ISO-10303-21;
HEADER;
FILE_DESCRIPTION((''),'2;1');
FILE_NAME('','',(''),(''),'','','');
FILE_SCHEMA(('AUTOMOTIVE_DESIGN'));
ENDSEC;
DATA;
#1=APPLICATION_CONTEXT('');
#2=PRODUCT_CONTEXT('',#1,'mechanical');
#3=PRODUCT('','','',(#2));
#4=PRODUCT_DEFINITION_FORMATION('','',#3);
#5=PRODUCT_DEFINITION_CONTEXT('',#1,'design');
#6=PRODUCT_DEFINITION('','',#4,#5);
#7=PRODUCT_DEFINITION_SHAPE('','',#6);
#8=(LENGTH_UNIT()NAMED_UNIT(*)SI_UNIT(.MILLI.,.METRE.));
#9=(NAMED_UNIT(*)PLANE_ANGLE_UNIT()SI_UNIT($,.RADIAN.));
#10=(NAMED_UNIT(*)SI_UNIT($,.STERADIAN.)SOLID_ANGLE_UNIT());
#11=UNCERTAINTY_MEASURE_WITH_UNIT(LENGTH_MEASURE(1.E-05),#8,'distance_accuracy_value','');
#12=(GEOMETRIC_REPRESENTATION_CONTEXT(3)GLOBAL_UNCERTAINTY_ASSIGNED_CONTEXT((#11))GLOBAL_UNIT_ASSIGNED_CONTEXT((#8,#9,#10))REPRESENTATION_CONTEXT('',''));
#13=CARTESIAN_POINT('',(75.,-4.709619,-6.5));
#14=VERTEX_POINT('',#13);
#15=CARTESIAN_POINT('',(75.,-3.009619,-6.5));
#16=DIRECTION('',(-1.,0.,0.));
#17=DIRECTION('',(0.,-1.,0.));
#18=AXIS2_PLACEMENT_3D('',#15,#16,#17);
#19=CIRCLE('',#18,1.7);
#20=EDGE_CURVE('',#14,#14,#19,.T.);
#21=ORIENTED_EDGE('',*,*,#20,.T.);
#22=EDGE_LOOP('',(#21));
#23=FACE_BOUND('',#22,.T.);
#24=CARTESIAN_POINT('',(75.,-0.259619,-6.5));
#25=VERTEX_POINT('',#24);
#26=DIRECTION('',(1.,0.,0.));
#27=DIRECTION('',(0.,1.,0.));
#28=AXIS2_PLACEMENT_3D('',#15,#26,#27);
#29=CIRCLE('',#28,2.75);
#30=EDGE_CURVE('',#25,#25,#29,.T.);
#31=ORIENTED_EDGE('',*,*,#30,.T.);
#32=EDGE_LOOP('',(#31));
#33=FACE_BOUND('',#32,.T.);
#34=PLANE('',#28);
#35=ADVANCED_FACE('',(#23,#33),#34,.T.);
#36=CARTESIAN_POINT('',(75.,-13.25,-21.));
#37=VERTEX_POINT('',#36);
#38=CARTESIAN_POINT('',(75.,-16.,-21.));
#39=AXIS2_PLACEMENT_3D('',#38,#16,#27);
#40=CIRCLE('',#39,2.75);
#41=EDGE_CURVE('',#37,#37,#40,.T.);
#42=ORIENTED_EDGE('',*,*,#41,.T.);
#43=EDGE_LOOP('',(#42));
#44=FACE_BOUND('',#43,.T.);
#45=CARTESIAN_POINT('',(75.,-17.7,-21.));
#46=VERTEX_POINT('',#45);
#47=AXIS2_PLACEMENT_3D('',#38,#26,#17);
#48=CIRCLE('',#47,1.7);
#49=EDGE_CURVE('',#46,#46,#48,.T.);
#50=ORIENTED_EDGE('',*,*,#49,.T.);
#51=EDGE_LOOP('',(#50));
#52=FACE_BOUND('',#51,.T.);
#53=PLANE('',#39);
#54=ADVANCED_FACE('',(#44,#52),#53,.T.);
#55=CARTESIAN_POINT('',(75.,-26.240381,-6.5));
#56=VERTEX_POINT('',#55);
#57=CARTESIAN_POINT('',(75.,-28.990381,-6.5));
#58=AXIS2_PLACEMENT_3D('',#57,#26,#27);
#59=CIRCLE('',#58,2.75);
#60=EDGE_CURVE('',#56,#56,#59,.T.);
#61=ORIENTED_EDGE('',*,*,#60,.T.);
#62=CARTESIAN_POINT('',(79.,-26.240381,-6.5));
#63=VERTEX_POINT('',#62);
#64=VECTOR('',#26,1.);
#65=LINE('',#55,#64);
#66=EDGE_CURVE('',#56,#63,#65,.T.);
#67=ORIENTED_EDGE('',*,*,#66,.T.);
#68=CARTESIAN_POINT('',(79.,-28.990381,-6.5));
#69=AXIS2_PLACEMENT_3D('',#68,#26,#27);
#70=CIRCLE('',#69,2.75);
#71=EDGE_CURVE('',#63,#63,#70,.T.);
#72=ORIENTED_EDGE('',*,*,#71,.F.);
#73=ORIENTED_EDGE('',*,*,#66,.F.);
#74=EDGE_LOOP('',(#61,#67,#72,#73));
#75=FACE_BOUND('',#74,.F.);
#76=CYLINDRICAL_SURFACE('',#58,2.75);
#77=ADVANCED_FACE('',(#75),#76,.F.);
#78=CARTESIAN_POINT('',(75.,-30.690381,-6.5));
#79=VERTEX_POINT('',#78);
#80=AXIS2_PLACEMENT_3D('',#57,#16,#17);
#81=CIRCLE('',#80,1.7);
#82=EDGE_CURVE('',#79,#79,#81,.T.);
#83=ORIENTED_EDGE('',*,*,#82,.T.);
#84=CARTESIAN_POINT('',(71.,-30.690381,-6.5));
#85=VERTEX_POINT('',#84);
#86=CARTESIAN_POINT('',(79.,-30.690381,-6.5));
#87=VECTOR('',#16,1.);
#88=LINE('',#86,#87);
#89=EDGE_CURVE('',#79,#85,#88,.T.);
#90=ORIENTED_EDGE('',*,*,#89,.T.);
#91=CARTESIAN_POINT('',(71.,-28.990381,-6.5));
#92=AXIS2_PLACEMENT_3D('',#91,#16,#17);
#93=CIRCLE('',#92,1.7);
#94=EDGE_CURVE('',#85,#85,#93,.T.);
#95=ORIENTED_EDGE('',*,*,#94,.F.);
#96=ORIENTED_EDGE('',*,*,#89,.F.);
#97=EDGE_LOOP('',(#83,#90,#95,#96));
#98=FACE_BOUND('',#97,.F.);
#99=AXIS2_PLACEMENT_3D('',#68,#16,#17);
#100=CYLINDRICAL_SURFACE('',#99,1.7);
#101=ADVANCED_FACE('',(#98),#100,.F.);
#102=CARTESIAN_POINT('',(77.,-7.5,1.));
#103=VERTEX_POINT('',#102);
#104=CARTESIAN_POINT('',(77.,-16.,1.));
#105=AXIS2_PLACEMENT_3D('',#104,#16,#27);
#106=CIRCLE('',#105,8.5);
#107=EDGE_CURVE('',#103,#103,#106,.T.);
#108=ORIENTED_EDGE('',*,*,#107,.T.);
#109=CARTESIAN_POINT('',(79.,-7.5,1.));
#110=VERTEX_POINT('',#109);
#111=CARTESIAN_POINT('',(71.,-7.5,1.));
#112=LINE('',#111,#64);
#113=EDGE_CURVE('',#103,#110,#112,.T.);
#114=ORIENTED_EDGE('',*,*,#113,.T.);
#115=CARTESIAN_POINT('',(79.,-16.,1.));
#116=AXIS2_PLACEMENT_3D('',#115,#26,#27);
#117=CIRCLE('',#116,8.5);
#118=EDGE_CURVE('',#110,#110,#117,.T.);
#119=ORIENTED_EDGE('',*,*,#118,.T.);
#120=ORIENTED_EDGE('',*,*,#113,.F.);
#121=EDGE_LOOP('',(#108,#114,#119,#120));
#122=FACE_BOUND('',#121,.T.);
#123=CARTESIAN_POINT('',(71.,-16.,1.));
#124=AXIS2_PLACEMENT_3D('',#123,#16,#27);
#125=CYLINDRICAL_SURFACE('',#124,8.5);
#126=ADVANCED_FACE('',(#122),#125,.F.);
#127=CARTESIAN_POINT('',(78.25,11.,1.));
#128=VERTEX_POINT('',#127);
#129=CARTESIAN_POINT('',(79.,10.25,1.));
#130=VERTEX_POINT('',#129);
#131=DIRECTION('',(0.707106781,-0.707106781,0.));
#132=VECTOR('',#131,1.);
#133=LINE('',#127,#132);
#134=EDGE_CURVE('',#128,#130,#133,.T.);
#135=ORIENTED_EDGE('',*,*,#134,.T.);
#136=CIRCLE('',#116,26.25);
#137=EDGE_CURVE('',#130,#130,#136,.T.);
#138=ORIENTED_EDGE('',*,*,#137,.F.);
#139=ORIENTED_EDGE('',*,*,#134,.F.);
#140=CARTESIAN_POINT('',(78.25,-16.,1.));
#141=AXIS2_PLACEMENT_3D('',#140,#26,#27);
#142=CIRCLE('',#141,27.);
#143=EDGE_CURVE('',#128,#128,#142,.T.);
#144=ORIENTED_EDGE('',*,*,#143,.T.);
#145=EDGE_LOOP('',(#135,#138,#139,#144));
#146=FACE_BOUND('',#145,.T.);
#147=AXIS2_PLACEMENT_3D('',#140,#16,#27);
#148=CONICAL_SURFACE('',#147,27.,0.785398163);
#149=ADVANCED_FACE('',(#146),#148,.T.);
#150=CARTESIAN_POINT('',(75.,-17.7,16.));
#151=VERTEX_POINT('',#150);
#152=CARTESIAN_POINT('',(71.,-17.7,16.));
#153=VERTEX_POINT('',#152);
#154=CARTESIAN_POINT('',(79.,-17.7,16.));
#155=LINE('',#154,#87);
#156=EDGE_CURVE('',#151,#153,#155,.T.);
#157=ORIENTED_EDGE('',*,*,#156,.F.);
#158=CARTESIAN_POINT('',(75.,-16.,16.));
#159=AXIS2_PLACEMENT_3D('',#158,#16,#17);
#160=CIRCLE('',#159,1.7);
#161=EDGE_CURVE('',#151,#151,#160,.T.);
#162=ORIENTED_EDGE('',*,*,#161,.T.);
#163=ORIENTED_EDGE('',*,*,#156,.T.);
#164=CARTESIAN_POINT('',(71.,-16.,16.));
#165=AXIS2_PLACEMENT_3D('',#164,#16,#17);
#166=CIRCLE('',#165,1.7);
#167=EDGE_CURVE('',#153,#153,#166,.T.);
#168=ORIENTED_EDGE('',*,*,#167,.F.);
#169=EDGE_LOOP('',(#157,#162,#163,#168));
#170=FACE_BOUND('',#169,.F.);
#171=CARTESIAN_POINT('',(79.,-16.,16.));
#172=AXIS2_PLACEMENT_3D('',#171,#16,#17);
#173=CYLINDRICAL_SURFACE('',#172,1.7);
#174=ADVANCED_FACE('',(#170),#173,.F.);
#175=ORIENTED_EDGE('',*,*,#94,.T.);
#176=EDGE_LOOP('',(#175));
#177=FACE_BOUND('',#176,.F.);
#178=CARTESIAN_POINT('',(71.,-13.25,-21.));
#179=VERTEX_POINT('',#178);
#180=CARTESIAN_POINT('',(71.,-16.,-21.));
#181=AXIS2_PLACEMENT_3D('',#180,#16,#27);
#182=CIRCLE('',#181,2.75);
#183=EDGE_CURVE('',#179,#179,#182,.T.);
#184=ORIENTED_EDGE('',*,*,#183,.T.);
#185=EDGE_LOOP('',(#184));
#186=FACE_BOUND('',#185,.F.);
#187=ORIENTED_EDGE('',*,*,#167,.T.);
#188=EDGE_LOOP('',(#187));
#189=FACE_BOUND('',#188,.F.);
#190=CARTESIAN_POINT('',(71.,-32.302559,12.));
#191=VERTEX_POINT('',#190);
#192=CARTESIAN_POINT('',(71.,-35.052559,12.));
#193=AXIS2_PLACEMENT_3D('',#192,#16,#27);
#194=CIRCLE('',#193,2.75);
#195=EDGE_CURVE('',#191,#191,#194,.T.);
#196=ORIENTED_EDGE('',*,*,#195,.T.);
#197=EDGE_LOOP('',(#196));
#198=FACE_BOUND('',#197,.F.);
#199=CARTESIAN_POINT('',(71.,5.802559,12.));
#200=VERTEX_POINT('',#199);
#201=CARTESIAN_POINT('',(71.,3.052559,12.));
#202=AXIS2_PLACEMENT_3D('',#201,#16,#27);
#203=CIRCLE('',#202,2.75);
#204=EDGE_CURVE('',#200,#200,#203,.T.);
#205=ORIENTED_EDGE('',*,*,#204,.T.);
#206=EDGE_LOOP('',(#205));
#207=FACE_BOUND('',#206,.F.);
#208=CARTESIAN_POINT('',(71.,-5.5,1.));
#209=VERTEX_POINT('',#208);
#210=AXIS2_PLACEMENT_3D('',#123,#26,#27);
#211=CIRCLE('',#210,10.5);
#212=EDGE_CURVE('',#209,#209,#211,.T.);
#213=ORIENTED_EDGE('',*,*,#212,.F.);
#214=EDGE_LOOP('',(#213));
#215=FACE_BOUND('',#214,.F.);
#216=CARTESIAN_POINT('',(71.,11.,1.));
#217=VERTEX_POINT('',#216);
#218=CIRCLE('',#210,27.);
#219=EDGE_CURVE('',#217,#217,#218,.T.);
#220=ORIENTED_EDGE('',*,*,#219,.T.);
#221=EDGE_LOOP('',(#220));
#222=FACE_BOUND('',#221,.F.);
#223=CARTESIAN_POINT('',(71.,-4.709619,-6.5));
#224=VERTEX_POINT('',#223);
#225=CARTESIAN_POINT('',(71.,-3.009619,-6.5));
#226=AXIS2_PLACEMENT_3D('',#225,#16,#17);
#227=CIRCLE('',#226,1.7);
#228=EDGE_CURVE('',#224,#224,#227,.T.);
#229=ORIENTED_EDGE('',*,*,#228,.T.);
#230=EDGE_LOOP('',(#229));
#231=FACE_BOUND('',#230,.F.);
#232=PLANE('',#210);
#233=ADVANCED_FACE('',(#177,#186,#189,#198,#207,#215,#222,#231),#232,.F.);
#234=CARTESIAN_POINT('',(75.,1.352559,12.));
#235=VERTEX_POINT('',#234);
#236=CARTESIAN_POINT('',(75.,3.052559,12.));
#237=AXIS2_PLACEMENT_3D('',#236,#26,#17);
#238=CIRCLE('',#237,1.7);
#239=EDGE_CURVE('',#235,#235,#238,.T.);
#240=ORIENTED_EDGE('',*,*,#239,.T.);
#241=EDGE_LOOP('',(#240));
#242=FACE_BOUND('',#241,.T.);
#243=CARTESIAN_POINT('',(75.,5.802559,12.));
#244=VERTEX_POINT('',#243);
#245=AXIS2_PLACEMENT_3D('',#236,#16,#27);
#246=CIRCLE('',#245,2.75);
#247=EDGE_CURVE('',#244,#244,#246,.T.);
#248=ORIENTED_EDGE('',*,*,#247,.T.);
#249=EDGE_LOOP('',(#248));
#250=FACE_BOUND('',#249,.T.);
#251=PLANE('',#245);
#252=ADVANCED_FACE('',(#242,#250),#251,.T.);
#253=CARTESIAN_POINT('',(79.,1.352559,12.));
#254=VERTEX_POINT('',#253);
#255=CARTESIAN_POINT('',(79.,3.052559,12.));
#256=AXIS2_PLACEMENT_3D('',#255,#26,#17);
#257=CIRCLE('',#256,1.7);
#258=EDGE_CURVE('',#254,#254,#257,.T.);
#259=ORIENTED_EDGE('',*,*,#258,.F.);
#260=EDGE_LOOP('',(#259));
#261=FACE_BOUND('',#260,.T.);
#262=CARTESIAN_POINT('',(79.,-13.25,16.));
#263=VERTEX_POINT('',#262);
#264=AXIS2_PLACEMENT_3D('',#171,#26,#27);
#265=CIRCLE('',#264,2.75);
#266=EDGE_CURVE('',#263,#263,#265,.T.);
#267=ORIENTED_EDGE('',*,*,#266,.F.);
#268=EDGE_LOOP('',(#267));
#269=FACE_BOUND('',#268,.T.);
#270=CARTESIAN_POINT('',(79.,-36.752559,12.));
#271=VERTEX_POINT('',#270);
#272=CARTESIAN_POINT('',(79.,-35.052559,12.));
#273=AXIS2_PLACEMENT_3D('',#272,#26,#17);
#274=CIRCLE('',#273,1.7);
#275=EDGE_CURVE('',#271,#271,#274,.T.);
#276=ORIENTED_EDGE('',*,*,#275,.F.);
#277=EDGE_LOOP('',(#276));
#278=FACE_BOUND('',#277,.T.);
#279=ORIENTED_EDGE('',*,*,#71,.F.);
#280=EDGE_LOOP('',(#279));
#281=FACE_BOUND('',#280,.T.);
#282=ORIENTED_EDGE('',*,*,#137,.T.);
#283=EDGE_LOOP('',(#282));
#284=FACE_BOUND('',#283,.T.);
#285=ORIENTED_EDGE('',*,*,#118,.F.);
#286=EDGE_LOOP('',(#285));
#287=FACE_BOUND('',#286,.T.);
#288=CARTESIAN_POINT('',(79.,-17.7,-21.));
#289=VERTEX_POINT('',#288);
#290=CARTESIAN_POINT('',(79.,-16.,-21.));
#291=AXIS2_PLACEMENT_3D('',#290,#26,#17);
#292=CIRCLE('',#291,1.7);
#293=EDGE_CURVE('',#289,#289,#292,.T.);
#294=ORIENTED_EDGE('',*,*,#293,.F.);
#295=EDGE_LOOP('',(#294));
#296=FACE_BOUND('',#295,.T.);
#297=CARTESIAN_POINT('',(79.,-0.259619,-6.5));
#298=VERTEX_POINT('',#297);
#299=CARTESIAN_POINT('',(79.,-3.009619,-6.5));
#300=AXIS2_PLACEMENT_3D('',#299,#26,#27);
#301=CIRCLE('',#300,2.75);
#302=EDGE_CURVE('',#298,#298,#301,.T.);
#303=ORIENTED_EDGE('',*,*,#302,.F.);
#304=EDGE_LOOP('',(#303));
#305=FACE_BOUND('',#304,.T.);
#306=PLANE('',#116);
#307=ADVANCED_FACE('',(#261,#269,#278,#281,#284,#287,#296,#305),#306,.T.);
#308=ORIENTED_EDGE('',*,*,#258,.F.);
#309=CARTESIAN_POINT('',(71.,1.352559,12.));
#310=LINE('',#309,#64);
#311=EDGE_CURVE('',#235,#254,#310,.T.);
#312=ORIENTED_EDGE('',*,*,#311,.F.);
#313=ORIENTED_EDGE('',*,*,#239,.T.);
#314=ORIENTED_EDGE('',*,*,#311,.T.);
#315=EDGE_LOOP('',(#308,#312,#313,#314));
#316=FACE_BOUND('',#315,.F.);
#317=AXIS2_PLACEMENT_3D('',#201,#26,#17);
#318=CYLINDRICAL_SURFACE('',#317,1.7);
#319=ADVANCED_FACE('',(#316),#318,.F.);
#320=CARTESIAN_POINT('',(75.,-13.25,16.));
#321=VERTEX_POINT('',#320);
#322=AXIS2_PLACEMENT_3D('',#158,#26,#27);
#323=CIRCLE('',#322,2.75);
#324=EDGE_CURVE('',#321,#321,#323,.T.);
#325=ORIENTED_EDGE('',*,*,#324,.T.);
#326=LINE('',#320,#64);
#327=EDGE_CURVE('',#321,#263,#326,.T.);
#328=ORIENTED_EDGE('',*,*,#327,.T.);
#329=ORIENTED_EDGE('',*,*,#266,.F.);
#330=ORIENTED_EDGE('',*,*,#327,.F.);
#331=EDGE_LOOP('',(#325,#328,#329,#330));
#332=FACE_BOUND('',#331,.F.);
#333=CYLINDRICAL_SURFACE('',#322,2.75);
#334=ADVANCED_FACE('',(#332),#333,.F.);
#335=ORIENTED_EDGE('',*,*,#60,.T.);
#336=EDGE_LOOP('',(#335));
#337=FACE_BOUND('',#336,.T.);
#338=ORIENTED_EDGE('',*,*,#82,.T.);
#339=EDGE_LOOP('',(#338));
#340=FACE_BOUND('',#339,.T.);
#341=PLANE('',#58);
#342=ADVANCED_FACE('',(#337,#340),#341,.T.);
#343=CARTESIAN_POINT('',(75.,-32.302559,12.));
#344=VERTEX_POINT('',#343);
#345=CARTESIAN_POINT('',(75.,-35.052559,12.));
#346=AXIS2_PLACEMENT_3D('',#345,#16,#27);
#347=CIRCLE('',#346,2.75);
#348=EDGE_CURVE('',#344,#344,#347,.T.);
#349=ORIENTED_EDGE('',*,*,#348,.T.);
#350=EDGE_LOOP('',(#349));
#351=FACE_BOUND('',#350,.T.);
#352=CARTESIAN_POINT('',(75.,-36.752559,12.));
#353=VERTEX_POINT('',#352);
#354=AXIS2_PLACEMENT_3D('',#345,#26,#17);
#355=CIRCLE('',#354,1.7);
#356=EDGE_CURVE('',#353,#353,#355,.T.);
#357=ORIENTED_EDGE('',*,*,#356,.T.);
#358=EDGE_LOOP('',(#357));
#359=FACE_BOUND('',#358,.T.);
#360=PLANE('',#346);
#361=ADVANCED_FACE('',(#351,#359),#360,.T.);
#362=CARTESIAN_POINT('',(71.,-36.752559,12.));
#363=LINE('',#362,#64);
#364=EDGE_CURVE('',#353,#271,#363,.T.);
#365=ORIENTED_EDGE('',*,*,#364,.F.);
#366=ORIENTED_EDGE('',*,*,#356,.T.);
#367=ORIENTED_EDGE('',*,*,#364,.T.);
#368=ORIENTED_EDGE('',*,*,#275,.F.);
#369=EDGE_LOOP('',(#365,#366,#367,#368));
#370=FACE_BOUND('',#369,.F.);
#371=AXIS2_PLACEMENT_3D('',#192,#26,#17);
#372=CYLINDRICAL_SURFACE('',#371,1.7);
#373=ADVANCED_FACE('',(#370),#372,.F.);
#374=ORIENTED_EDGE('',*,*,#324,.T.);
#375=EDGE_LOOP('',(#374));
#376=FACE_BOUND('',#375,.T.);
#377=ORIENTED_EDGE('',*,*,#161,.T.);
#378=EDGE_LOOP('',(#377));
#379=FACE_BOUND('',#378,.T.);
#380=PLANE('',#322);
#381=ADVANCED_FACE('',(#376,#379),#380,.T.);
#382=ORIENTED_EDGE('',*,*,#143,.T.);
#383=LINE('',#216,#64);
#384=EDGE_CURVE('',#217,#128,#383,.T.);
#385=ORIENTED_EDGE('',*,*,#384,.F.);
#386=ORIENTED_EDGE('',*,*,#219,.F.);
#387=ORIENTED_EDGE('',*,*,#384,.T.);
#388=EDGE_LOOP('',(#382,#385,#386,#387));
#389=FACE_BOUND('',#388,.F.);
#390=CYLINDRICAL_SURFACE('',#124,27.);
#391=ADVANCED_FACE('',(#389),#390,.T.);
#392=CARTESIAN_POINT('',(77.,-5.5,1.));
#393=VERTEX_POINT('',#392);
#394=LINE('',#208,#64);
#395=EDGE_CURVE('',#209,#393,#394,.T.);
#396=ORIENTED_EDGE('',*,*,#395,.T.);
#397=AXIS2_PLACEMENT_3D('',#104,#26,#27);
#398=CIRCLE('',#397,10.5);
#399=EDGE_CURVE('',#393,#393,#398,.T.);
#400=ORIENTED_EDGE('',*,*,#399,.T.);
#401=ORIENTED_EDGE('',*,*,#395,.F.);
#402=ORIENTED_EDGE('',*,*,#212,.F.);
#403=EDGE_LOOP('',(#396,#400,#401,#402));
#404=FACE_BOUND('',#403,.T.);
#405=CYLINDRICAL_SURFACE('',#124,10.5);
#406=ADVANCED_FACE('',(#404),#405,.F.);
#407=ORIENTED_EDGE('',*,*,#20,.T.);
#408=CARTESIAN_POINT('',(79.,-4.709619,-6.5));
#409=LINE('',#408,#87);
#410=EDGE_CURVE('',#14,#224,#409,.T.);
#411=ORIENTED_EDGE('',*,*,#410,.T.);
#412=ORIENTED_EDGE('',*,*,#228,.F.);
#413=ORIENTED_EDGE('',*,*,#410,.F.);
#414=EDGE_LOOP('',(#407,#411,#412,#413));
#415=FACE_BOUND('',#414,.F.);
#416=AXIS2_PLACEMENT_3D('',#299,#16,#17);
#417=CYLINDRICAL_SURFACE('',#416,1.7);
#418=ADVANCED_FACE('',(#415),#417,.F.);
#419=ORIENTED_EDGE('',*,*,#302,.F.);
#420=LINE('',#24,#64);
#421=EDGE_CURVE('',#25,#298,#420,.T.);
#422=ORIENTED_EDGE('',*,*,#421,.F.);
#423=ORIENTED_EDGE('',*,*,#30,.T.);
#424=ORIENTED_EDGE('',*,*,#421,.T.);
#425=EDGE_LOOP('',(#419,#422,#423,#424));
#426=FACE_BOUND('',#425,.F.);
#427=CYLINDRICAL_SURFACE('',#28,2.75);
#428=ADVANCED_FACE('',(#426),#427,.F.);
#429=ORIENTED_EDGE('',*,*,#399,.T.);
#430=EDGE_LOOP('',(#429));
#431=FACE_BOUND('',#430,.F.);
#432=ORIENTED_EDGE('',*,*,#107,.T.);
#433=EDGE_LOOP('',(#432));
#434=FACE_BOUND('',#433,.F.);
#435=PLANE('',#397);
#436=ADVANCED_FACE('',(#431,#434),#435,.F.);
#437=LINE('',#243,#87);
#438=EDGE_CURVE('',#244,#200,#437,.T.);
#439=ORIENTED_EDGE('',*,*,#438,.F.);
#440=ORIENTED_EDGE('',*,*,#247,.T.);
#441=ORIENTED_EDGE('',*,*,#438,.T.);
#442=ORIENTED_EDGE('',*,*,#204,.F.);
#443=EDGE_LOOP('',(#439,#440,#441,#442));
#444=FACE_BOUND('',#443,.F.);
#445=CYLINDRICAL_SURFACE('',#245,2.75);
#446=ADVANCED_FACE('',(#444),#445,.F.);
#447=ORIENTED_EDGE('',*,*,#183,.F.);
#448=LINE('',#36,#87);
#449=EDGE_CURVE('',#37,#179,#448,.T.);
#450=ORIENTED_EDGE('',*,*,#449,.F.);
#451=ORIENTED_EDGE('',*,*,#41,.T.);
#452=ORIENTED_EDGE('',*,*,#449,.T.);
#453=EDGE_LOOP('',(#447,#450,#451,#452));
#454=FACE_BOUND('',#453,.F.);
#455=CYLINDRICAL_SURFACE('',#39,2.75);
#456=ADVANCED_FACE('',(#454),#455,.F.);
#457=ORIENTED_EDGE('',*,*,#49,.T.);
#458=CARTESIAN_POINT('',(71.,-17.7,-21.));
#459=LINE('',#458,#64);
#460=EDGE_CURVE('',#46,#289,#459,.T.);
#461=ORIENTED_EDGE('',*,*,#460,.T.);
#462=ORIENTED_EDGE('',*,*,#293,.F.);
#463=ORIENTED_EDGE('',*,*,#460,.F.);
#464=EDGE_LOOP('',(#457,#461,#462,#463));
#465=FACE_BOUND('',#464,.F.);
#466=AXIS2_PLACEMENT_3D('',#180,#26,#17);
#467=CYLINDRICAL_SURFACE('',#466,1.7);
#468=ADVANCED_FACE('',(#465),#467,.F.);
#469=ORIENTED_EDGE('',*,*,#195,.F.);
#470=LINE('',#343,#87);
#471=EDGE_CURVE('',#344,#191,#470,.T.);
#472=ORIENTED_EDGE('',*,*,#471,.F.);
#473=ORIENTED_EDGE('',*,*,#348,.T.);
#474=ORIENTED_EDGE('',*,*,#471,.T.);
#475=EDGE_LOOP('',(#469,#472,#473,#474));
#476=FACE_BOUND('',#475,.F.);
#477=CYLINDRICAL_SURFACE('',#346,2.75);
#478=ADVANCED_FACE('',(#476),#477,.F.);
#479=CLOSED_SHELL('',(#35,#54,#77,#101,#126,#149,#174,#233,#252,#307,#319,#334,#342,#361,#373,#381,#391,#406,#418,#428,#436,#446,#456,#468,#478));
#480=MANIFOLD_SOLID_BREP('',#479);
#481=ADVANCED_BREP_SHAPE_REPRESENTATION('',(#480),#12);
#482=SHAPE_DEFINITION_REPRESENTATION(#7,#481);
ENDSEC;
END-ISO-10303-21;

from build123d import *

# Parameters (mm, degrees)
SKETCH046_R         = 27
SKETCH046_R_2       = 8.5
SKETCH046_R_3       = 1.65
PAD029_DEPTH        = 8
SKETCH048_R         = 10.5
POCKET014_DEPTH     = 6
HOLE_D              = 3.4
HOLE_CBORE_D        = 5.5
HOLE_CBORE_DEPTH    = 4
HOLE001_D           = 3.4
HOLE001_CBORE_D     = 5.5
HOLE001_CBORE_DEPTH = 4
CHAMFER_SIZE        = 0.75


with BuildPart() as part:
    # Sketch046 → Pad029 (new body)
    with BuildSketch(Plane.YZ.offset(69)):
        with Locations((-10, -6)):
            Circle(SKETCH046_R)
        with Locations((-10, -6)):
            Circle(SKETCH046_R_2, mode=Mode.SUBTRACT)
        with Locations((-10, 9)):
            Circle(SKETCH046_R_3, mode=Mode.SUBTRACT)
        with Locations((2.990381, -13.5)):
            Circle(SKETCH046_R_3, mode=Mode.SUBTRACT)
        with Locations((-22.990381, -13.5)):
            Circle(SKETCH046_R_3, mode=Mode.SUBTRACT)
    extrude(amount=PAD029_DEPTH)

    # Sketch048 → Pocket014 (cut)
    with BuildSketch(Plane.YZ.offset(69)):
        with Locations((-10, -6)):
            Circle(SKETCH048_R)
    extrude(amount=POCKET014_DEPTH, mode=Mode.SUBTRACT)

    # Hole (through all)
    with Locations(Plane(origin=(69, 0, 0), x_dir=(0, 1, 0), z_dir=(-1, 0, 0))):
        with Locations((-29.052559, -5), (9.052559, -5), (-10, 28)):
            CounterBoreHole(HOLE_D / 2, HOLE_CBORE_D / 2, HOLE_CBORE_DEPTH)

    # Hole001 (through all)
    with Locations(Plane.YZ.offset(77)):
        with Locations((-22.990381, -13.5), (-10, 9), (2.990381, -13.5)):
            CounterBoreHole(HOLE001_D / 2, HOLE001_CBORE_D / 2, HOLE001_CBORE_DEPTH)

    # Chamfer
    chamfer_edges = [part.edges().sort_by_distance(p)[0] for p in [
        (77, -37, -6),
    ]]
    chamfer(chamfer_edges, length=CHAMFER_SIZE)


with BuildPart() as part_1:
    # Body011 placement: moved
    add(part.part.moved(Location((2, -6, 7))))


solid = part_1.part
